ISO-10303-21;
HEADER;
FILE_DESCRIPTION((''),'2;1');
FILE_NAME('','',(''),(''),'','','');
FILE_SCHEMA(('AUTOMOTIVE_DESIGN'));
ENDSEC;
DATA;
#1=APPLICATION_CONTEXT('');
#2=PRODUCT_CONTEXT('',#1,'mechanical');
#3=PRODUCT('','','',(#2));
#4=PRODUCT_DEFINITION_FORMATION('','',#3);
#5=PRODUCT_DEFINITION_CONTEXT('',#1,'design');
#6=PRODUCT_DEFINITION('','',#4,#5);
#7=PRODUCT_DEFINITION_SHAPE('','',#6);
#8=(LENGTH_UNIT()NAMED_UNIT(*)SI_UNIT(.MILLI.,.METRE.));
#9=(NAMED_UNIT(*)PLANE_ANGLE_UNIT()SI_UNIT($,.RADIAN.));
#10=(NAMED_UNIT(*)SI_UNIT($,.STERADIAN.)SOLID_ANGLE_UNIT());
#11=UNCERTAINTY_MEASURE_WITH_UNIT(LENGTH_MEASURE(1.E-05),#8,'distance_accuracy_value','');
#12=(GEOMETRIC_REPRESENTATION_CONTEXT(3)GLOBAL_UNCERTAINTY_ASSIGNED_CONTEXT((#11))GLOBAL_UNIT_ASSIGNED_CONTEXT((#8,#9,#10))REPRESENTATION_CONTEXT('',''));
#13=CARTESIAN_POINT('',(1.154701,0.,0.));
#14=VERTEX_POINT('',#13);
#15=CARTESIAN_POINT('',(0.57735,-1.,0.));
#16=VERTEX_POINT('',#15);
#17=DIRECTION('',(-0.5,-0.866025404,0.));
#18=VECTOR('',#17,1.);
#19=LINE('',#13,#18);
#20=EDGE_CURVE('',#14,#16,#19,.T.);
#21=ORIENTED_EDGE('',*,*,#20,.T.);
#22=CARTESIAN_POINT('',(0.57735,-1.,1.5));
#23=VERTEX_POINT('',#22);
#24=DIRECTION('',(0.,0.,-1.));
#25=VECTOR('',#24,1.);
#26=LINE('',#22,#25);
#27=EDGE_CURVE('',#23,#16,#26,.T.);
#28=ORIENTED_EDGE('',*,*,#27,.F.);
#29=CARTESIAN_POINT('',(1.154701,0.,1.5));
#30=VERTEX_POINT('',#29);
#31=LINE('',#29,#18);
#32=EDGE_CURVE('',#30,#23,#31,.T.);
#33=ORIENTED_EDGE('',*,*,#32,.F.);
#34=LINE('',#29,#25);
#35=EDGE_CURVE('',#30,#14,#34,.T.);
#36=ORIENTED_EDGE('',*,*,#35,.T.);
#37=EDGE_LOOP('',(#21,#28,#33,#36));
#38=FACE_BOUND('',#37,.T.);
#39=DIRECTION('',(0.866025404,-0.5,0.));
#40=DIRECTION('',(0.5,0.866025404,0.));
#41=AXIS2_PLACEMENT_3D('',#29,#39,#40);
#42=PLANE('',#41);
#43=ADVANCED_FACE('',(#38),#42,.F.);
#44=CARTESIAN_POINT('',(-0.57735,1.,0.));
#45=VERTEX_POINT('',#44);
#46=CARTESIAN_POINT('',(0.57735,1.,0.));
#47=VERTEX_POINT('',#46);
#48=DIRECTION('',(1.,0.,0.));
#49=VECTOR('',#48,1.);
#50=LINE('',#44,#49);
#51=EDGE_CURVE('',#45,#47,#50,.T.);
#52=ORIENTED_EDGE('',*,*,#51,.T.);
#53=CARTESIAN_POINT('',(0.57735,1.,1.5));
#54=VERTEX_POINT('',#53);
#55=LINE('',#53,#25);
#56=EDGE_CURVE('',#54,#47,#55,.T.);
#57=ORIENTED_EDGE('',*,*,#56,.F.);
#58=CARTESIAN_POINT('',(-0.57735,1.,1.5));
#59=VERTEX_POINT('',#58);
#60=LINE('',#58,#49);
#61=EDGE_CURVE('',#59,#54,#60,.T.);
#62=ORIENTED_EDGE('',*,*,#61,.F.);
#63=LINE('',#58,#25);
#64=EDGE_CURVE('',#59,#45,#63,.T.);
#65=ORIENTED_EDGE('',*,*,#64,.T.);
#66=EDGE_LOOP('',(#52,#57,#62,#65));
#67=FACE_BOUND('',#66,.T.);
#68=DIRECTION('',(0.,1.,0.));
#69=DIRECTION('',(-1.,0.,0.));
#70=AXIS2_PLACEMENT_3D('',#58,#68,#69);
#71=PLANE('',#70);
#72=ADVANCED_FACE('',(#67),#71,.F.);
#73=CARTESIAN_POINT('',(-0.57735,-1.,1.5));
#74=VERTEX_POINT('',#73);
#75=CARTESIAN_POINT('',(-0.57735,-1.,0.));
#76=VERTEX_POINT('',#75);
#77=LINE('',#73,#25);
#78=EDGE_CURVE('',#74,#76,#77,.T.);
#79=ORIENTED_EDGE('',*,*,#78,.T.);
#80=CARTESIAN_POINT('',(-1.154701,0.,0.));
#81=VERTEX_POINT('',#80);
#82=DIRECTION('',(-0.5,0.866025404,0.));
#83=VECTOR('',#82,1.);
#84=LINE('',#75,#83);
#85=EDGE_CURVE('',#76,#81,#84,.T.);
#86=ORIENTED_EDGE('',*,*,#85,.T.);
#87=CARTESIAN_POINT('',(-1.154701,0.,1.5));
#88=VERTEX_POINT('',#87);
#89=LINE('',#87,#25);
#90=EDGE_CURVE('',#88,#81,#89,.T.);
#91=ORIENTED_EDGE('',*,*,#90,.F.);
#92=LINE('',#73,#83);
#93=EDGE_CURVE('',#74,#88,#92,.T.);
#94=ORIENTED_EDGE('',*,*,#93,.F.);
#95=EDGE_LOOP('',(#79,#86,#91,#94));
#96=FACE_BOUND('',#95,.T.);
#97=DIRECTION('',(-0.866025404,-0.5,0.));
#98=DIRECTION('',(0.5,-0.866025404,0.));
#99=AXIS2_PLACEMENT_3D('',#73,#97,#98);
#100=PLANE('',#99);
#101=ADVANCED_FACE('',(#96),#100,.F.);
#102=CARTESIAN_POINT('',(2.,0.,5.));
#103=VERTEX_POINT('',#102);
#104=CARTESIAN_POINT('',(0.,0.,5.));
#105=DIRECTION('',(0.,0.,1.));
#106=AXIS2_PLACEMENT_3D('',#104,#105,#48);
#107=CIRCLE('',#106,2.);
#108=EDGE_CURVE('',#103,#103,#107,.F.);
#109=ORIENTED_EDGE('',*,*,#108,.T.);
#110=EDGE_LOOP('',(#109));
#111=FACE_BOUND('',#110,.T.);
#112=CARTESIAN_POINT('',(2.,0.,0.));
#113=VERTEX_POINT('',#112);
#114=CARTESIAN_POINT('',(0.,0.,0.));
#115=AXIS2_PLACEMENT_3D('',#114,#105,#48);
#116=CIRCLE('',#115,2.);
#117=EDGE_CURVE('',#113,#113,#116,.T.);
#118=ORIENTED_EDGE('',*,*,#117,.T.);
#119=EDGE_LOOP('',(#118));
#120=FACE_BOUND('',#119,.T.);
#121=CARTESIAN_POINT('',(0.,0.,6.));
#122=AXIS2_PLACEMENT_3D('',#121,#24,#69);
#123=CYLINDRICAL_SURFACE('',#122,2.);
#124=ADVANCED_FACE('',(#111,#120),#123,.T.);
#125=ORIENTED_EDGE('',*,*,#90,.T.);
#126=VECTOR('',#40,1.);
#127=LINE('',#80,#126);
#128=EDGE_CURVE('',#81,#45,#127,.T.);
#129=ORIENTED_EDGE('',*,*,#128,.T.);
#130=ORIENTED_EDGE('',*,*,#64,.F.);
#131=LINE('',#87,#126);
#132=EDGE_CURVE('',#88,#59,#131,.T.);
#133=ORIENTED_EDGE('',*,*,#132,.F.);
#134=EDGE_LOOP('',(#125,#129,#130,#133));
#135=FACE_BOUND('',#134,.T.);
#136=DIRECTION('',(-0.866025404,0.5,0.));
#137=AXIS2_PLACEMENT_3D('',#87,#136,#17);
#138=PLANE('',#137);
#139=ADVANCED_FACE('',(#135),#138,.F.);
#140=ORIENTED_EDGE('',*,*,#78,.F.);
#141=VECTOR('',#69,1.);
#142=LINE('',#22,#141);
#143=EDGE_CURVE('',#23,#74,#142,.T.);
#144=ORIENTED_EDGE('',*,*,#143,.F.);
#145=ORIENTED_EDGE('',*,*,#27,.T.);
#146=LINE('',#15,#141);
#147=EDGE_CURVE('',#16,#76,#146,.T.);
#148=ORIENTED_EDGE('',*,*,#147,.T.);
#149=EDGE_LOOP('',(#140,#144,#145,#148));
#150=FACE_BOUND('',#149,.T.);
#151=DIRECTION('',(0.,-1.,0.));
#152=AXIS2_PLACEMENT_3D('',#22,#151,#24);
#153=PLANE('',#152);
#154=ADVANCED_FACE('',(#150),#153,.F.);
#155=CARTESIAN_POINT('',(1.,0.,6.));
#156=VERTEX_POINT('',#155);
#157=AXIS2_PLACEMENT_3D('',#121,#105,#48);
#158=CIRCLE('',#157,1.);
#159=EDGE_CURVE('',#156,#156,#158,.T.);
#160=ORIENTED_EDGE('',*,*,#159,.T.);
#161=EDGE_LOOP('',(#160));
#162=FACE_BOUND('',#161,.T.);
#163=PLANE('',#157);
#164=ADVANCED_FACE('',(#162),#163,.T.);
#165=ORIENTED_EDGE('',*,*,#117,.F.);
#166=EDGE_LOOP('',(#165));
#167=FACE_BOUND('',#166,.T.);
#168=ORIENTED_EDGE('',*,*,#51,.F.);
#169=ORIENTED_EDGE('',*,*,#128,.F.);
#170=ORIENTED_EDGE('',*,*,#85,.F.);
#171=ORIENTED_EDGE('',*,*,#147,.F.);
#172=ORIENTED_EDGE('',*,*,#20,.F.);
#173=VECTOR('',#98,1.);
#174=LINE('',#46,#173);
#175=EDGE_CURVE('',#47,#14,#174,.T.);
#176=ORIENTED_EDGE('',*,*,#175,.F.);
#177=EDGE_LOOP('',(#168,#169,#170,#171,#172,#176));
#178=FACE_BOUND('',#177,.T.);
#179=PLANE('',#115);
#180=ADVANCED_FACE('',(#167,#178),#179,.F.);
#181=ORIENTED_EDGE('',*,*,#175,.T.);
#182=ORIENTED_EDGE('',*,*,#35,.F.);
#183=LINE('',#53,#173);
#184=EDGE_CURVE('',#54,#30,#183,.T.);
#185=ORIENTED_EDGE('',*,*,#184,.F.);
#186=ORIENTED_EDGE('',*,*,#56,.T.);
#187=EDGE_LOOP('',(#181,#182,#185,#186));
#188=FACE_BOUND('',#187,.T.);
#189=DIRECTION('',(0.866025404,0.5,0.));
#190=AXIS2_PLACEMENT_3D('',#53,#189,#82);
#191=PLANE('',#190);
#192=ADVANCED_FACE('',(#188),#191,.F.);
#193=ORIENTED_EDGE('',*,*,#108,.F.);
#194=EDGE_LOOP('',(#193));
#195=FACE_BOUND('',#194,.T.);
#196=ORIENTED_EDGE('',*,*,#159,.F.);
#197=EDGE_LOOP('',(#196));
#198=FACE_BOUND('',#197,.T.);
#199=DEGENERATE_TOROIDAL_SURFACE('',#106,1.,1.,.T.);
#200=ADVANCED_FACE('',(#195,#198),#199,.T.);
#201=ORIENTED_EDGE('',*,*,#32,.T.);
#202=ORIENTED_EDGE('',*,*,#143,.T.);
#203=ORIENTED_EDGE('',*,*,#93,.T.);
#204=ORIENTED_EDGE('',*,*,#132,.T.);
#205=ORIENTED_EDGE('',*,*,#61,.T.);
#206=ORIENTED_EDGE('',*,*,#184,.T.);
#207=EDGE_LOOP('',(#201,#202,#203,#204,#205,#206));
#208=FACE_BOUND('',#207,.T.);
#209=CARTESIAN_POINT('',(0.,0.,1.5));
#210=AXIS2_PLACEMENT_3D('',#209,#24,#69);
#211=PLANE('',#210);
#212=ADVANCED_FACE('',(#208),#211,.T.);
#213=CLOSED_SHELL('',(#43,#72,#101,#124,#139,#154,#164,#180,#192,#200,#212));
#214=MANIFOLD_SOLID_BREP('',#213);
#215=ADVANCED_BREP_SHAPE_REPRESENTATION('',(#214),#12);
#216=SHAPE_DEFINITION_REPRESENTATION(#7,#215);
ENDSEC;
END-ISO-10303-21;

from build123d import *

# Parameters (mm, degrees)
SKETCH_1_R          = 2
EXTRUDE_1_DEPTH     = 6
FILLET_1_R          = 1
CUT_EXTRUDE_1_DEPTH = 1.5


with BuildPart() as part:
    # 草图1 → 凸台-拉伸1 (new body)
    with BuildSketch(Plane.XY):
        Circle(SKETCH_1_R)
    extrude(amount=EXTRUDE_1_DEPTH)

    # 圆角1
    fillet_1_edges = [part.edges().sort_by_distance(p)[0] for p in [
        (-2, 0, 6),
    ]]
    fillet(fillet_1_edges, radius=FILLET_1_R)

    # 草图2 → 切除-拉伸1 (cut)
    with BuildSketch(Plane(origin=(0, 0, 0), x_dir=(-1, 0, 0), z_dir=(0, 0, -1))):
        Polygon((1.154700538, 0), (0.577350269, 1), (-0.577350269, 1), (-1.154700538, 0), (-0.577350269, -1), (0.577350269, -1), align=None)
    extrude(amount=-CUT_EXTRUDE_1_DEPTH, mode=Mode.SUBTRACT)


solid = part.part
